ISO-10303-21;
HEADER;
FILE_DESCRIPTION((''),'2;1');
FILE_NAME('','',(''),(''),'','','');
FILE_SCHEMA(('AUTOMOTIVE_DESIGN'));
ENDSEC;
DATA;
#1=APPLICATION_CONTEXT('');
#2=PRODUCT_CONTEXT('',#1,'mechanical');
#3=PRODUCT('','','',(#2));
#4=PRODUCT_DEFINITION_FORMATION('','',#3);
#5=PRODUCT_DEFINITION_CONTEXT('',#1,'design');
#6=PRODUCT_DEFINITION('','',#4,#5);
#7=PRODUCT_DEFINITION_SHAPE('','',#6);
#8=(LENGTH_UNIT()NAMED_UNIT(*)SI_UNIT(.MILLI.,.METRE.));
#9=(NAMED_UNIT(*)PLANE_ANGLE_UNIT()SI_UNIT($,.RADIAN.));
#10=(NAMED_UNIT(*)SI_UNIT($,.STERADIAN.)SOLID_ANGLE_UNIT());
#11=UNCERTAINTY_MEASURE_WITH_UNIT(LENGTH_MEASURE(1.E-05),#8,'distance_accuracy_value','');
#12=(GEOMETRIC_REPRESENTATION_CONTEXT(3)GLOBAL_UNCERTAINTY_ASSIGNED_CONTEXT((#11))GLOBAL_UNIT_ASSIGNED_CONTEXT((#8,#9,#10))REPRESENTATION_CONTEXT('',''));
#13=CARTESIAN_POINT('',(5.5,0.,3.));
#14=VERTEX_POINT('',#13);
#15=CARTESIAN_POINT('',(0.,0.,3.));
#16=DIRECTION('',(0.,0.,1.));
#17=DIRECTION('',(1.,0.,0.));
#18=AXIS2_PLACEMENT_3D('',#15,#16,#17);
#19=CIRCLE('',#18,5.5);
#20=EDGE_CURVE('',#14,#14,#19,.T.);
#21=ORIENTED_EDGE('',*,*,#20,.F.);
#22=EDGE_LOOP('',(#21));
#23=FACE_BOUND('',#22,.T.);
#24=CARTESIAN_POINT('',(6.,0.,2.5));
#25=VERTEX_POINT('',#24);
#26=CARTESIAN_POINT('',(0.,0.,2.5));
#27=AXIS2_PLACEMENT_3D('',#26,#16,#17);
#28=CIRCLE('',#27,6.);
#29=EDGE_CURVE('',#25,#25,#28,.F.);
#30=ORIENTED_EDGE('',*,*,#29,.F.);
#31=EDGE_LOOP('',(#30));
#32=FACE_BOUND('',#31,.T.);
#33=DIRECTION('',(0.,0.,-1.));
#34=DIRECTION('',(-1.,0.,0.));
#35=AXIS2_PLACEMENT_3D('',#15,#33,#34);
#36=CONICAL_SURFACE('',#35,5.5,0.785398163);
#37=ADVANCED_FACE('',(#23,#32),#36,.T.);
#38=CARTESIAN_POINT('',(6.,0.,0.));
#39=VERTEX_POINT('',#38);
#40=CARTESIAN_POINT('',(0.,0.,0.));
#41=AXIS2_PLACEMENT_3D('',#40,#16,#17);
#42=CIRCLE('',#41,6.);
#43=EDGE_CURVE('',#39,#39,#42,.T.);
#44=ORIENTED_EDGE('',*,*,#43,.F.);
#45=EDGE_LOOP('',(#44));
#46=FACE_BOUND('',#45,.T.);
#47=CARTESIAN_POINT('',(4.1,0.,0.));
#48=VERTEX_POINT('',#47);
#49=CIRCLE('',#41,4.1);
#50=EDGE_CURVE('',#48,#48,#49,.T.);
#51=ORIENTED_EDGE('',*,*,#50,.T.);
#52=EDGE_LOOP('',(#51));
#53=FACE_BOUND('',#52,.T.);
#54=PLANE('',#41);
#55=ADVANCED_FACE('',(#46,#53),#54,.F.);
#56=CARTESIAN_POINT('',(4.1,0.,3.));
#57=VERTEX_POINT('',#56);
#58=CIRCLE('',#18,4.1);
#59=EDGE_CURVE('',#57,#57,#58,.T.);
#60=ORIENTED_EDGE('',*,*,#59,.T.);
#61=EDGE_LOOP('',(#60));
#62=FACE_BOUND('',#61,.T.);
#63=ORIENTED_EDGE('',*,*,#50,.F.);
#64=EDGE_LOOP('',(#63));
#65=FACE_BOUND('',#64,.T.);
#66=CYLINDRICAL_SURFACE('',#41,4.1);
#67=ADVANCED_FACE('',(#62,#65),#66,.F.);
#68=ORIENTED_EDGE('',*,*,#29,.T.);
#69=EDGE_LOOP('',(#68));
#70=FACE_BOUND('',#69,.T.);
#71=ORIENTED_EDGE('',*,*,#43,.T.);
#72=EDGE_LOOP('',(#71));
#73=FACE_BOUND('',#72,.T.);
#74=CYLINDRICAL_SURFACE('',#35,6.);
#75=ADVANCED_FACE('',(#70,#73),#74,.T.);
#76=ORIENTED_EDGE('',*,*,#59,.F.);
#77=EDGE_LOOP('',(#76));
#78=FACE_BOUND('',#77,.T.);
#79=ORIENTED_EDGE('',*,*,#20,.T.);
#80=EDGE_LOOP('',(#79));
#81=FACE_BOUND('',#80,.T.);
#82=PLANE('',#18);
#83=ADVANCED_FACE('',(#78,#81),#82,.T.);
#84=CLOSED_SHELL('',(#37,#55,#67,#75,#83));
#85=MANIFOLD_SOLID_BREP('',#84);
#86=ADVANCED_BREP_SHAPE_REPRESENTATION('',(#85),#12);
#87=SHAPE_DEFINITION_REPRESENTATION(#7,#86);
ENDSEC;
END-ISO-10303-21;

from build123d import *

# Parameters (mm, degrees)
ESQUISSE1_R             = 6
BOSS_EXTRU_1_DEPTH      = 3
ESQUISSE2_R             = 4.1
ENL_V_MAT_EXTRU_1_DEPTH = 4
CHANFREIN1_SIZE         = 0.5


with BuildPart() as part:
    # Esquisse1 → Boss.-Extru.1 (new body)
    with BuildSketch(Plane.XY):
        Circle(ESQUISSE1_R)
    extrude(amount=BOSS_EXTRU_1_DEPTH)

    # Esquisse2 → Enlèv. mat.-Extru.1 (cut, through all)
    with BuildSketch(Plane.XY.offset(3)):
        Circle(ESQUISSE2_R)
    extrude(amount=-ENL_V_MAT_EXTRU_1_DEPTH, mode=Mode.SUBTRACT)

    # Chanfrein1
    chanfrein1_edges = [part.edges().sort_by_distance(p)[0] for p in [
        (-6, 0, 3),
    ]]
    chamfer(chanfrein1_edges, length=CHANFREIN1_SIZE)


solid = part.part
